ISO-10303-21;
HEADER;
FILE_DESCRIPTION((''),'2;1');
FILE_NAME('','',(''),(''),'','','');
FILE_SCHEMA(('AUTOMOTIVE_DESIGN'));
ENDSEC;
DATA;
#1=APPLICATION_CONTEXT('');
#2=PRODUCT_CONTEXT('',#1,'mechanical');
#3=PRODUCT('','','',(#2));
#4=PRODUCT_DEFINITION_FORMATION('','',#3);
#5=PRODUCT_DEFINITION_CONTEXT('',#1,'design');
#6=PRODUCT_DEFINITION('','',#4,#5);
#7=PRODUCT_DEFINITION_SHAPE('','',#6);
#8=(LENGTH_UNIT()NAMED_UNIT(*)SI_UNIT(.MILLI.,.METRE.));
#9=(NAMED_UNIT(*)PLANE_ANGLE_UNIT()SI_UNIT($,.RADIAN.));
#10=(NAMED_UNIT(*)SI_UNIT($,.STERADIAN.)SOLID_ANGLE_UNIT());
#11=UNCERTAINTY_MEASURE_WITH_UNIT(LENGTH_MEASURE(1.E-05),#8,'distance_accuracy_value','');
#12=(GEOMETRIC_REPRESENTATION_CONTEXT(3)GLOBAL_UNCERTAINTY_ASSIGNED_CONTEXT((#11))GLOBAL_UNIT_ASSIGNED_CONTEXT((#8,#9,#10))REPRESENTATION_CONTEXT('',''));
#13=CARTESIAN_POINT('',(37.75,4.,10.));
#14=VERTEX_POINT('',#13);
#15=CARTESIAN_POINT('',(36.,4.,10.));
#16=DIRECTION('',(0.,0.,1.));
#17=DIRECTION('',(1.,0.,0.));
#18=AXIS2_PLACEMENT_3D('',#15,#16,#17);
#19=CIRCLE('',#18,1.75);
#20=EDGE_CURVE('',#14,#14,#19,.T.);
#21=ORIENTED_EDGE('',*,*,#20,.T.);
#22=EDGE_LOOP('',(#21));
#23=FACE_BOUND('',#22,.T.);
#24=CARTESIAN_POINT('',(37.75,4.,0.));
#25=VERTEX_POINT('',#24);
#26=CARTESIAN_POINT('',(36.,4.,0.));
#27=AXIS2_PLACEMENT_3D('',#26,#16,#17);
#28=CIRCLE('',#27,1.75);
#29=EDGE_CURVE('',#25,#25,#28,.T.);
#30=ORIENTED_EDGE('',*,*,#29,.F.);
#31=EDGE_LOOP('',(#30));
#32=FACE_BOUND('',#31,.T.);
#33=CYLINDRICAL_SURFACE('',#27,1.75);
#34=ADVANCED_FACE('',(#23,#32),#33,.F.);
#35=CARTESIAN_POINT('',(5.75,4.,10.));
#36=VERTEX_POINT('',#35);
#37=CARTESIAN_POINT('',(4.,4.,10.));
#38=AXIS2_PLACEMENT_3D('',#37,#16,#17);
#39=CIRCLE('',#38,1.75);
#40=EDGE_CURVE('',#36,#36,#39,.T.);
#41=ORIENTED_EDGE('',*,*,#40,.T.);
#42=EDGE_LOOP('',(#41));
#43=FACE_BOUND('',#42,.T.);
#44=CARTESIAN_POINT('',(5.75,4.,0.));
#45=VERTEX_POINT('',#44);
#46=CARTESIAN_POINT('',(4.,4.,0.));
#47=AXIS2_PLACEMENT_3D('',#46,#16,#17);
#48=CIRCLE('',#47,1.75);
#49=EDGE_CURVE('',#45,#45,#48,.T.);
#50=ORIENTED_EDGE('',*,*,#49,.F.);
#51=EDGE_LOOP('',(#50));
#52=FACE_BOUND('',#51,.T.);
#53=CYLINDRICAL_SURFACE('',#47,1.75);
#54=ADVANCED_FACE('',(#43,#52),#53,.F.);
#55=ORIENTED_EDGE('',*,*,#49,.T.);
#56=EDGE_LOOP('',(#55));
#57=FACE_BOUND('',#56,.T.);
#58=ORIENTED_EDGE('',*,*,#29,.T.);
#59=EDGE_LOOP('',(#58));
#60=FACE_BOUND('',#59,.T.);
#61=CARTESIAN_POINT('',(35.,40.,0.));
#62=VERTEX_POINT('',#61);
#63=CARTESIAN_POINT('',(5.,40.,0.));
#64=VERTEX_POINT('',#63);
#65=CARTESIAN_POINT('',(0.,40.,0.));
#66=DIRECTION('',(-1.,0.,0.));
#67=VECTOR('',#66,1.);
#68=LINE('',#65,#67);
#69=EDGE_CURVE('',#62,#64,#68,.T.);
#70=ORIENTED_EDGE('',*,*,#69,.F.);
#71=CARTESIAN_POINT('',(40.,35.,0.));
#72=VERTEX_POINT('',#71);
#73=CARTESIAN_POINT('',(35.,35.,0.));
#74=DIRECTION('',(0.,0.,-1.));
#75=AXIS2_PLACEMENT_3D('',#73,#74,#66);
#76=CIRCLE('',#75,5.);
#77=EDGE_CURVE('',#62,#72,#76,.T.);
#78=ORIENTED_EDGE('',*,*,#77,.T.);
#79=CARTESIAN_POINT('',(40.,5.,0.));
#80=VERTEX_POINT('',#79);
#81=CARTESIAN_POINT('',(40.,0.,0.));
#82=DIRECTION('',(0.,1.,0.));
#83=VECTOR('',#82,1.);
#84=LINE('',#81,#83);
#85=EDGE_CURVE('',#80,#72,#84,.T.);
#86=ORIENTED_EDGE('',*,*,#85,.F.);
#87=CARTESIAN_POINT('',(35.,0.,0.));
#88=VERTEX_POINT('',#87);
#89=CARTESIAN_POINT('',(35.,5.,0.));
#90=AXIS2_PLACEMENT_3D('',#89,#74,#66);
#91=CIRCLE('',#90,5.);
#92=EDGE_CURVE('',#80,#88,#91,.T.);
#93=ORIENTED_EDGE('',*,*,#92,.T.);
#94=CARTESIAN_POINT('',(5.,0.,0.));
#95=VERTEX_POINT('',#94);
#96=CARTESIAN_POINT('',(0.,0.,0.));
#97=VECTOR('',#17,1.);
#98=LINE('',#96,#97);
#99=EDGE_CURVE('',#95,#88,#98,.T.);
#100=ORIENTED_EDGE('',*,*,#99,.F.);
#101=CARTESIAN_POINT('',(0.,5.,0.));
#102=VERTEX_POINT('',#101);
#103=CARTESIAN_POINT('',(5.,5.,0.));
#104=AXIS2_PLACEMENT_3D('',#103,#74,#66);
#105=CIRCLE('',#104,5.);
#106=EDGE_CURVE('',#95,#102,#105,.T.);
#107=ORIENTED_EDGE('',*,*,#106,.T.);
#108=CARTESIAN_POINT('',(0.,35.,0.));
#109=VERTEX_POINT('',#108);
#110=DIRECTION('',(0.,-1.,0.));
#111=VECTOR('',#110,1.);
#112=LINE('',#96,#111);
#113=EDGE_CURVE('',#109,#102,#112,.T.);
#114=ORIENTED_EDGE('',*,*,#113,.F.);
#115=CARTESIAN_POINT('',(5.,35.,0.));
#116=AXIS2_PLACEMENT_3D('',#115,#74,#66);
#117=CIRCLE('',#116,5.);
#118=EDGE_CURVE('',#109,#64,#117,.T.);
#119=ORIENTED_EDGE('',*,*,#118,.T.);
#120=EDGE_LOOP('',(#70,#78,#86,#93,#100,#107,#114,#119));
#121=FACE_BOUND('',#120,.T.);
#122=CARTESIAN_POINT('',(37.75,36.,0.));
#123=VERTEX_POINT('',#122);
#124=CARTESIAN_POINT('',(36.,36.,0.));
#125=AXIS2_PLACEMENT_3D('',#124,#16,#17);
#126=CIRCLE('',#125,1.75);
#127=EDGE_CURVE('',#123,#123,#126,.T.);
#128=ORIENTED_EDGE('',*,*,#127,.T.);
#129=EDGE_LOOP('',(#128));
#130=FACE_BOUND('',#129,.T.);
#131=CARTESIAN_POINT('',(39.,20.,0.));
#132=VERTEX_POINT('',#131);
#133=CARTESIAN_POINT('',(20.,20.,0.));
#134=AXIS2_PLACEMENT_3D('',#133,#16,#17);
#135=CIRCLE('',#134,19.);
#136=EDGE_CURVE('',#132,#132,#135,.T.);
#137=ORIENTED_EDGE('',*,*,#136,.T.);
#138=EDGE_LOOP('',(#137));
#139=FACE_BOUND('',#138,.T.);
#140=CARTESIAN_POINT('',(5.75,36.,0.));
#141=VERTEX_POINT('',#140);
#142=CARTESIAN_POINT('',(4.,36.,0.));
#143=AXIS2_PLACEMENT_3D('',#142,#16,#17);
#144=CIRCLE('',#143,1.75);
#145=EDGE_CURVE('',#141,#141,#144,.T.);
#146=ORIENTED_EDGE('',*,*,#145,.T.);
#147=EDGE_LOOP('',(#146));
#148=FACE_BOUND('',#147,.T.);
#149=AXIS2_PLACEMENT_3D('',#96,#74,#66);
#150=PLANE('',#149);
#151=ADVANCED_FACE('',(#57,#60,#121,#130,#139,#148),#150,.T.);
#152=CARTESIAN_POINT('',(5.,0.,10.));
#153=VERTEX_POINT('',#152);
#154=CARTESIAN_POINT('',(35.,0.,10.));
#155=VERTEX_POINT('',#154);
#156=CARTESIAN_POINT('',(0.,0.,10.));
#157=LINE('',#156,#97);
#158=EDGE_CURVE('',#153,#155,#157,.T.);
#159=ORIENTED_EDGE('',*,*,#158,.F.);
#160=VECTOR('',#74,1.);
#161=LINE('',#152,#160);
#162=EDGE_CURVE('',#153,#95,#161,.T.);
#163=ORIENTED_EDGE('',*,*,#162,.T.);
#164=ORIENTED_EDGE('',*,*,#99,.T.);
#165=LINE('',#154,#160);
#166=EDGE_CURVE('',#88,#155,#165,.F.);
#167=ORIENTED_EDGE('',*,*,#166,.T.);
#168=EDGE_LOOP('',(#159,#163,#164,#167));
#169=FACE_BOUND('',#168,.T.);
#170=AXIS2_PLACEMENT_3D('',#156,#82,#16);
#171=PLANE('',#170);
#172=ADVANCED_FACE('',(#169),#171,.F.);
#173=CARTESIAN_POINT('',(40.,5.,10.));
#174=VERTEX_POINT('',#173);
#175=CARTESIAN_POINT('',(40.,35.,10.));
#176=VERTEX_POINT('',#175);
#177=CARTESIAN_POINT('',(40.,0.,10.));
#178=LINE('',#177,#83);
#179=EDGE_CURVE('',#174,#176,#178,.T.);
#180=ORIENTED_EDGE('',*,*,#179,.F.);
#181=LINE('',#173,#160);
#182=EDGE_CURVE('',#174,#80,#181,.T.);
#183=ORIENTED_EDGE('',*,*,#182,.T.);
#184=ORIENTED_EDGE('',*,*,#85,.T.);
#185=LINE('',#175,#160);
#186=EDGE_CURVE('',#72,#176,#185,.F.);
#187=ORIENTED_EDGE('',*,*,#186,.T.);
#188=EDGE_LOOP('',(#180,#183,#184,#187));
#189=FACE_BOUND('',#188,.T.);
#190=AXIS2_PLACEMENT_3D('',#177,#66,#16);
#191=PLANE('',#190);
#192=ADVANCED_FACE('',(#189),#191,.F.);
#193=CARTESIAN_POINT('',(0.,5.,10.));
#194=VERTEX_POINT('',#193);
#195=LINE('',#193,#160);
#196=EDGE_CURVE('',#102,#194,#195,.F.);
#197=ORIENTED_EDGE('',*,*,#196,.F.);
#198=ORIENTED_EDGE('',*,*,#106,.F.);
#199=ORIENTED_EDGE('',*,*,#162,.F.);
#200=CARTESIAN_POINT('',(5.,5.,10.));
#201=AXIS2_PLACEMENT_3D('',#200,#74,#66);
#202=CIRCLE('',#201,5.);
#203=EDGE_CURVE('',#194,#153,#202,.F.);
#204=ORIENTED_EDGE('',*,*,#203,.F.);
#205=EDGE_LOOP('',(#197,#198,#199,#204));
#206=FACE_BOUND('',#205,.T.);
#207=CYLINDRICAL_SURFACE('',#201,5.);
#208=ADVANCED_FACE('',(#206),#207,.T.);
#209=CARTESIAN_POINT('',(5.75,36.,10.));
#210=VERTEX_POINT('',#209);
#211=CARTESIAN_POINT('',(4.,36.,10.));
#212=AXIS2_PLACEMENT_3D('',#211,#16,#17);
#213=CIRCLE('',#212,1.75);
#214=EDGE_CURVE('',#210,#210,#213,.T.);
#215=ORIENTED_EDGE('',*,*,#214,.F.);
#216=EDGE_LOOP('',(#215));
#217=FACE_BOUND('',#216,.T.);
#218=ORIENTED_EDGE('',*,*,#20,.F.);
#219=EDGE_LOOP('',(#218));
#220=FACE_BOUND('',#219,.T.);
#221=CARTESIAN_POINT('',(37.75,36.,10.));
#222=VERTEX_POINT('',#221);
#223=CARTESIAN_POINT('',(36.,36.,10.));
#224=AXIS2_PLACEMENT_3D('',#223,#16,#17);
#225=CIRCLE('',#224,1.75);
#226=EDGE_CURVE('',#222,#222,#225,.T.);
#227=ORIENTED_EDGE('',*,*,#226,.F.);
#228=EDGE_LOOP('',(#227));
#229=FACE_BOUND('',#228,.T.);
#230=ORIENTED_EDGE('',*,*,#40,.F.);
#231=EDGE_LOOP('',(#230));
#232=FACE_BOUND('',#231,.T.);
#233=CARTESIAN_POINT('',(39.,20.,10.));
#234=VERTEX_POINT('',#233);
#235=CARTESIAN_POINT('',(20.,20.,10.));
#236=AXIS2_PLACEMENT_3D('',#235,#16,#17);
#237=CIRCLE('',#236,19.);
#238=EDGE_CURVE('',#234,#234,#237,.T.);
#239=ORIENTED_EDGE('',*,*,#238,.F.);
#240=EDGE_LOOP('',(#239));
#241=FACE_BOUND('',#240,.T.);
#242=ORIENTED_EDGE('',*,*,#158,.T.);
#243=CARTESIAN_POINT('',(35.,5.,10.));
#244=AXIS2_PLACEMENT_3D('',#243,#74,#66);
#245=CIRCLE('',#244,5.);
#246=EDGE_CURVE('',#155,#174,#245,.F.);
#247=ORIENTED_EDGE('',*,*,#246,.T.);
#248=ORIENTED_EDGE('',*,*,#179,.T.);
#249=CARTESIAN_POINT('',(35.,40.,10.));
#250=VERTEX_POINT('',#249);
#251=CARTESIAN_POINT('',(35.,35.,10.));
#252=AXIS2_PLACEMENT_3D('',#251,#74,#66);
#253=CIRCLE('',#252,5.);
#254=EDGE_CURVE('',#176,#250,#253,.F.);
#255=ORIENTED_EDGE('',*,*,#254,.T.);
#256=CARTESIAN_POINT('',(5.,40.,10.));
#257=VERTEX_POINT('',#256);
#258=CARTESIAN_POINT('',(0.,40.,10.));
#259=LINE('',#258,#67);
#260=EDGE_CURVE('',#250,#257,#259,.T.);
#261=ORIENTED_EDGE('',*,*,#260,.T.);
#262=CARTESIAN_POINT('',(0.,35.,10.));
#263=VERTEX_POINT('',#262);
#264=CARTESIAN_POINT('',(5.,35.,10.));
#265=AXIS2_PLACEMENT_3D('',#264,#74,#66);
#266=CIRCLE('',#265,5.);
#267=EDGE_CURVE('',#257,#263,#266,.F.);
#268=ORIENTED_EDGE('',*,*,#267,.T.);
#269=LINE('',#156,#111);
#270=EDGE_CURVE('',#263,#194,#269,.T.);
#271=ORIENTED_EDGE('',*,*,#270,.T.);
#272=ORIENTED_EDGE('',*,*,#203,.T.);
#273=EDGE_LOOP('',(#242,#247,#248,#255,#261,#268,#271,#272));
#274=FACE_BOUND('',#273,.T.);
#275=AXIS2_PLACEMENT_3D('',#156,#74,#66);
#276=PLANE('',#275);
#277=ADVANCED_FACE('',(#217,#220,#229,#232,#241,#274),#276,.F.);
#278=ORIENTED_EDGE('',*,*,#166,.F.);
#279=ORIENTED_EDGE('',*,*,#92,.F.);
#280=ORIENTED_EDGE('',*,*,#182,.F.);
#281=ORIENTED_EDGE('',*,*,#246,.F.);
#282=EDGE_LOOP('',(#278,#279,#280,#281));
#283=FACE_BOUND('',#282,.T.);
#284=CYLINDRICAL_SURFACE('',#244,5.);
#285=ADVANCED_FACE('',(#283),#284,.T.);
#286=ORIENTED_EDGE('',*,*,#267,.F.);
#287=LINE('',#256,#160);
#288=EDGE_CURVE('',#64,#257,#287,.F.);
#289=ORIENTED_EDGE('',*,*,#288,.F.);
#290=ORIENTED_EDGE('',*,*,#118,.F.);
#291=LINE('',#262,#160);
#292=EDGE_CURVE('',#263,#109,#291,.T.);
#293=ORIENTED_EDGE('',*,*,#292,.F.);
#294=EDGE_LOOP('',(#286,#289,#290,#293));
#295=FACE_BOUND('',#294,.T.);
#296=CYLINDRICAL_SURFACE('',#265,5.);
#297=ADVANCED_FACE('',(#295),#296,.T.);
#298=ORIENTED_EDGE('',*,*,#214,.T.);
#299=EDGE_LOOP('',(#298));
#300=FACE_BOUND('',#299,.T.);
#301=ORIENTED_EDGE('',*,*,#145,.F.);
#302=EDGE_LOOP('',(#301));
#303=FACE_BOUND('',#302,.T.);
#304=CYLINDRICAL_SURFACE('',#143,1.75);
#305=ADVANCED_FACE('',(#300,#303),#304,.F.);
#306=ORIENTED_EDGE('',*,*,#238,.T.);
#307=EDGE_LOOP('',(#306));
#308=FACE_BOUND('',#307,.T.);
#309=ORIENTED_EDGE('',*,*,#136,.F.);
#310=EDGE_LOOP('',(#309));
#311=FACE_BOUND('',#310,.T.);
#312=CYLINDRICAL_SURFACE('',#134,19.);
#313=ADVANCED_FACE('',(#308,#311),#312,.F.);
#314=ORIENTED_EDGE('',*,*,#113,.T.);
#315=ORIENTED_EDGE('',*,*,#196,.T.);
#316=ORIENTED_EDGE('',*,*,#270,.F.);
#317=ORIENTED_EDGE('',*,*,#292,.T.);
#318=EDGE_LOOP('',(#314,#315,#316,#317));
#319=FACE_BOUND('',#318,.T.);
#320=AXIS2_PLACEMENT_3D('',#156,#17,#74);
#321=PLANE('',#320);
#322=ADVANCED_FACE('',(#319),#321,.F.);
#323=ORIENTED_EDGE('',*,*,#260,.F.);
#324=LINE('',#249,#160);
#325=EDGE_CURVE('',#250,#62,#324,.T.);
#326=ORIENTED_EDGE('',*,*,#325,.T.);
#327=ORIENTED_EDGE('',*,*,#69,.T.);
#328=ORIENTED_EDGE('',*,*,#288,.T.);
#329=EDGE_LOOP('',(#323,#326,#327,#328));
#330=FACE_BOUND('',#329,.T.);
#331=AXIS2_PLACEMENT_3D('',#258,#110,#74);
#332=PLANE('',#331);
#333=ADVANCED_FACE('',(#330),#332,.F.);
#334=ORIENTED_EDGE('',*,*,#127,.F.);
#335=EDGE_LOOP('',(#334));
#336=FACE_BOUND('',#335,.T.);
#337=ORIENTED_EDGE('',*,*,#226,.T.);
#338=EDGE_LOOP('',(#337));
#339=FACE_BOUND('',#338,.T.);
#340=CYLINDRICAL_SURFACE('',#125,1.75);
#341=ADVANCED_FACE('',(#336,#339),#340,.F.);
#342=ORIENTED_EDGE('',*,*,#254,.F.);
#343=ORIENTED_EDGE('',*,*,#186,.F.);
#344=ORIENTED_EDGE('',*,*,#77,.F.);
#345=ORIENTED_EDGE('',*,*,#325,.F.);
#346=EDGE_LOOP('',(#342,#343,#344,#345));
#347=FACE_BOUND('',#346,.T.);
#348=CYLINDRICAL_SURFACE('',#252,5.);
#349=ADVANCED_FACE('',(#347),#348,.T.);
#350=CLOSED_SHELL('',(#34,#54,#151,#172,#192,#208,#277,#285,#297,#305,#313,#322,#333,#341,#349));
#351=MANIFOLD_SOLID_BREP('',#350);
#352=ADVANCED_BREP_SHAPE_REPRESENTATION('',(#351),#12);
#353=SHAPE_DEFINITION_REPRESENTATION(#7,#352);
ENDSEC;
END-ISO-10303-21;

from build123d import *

# Parameters (mm, degrees)
SKETCH1_W           = 40
SKETCH1_H           = 40
BOSS_EXTRUDE1_DEPTH = 10
SKETCH3_R           = 19
SKETCH3_R_2         = 1.75
CUT_EXTRUDE1_DEPTH  = 10
FILLET1_R           = 5


with BuildPart() as part:
    # Sketch1 → Boss-Extrude1 (new body)
    with BuildSketch(Plane.XY):
        with Locations((20, 20)):
            Rectangle(SKETCH1_W, SKETCH1_H)
    extrude(amount=BOSS_EXTRUDE1_DEPTH)

    # Sketch3 → Cut-Extrude1 (cut)
    with BuildSketch(Plane.XY.offset(10)):
        with Locations((20, 20)):
            Circle(SKETCH3_R)
        with Locations((4, 36)):
            Circle(SKETCH3_R_2)
        with Locations((4, 4)):
            Circle(SKETCH3_R_2)
        with Locations((36, 4)):
            Circle(SKETCH3_R_2)
        with Locations((36, 36)):
            Circle(SKETCH3_R_2)
    extrude(amount=-CUT_EXTRUDE1_DEPTH, mode=Mode.SUBTRACT)

    # Fillet1
    fillet1_edges = [part.edges().sort_by_distance(p)[0] for p in [
        (0, 40, 5),
        (40, 40, 5),
        (40, 0, 5),
        (0, 0, 5),
    ]]
    fillet(fillet1_edges, radius=FILLET1_R)


solid = part.part
